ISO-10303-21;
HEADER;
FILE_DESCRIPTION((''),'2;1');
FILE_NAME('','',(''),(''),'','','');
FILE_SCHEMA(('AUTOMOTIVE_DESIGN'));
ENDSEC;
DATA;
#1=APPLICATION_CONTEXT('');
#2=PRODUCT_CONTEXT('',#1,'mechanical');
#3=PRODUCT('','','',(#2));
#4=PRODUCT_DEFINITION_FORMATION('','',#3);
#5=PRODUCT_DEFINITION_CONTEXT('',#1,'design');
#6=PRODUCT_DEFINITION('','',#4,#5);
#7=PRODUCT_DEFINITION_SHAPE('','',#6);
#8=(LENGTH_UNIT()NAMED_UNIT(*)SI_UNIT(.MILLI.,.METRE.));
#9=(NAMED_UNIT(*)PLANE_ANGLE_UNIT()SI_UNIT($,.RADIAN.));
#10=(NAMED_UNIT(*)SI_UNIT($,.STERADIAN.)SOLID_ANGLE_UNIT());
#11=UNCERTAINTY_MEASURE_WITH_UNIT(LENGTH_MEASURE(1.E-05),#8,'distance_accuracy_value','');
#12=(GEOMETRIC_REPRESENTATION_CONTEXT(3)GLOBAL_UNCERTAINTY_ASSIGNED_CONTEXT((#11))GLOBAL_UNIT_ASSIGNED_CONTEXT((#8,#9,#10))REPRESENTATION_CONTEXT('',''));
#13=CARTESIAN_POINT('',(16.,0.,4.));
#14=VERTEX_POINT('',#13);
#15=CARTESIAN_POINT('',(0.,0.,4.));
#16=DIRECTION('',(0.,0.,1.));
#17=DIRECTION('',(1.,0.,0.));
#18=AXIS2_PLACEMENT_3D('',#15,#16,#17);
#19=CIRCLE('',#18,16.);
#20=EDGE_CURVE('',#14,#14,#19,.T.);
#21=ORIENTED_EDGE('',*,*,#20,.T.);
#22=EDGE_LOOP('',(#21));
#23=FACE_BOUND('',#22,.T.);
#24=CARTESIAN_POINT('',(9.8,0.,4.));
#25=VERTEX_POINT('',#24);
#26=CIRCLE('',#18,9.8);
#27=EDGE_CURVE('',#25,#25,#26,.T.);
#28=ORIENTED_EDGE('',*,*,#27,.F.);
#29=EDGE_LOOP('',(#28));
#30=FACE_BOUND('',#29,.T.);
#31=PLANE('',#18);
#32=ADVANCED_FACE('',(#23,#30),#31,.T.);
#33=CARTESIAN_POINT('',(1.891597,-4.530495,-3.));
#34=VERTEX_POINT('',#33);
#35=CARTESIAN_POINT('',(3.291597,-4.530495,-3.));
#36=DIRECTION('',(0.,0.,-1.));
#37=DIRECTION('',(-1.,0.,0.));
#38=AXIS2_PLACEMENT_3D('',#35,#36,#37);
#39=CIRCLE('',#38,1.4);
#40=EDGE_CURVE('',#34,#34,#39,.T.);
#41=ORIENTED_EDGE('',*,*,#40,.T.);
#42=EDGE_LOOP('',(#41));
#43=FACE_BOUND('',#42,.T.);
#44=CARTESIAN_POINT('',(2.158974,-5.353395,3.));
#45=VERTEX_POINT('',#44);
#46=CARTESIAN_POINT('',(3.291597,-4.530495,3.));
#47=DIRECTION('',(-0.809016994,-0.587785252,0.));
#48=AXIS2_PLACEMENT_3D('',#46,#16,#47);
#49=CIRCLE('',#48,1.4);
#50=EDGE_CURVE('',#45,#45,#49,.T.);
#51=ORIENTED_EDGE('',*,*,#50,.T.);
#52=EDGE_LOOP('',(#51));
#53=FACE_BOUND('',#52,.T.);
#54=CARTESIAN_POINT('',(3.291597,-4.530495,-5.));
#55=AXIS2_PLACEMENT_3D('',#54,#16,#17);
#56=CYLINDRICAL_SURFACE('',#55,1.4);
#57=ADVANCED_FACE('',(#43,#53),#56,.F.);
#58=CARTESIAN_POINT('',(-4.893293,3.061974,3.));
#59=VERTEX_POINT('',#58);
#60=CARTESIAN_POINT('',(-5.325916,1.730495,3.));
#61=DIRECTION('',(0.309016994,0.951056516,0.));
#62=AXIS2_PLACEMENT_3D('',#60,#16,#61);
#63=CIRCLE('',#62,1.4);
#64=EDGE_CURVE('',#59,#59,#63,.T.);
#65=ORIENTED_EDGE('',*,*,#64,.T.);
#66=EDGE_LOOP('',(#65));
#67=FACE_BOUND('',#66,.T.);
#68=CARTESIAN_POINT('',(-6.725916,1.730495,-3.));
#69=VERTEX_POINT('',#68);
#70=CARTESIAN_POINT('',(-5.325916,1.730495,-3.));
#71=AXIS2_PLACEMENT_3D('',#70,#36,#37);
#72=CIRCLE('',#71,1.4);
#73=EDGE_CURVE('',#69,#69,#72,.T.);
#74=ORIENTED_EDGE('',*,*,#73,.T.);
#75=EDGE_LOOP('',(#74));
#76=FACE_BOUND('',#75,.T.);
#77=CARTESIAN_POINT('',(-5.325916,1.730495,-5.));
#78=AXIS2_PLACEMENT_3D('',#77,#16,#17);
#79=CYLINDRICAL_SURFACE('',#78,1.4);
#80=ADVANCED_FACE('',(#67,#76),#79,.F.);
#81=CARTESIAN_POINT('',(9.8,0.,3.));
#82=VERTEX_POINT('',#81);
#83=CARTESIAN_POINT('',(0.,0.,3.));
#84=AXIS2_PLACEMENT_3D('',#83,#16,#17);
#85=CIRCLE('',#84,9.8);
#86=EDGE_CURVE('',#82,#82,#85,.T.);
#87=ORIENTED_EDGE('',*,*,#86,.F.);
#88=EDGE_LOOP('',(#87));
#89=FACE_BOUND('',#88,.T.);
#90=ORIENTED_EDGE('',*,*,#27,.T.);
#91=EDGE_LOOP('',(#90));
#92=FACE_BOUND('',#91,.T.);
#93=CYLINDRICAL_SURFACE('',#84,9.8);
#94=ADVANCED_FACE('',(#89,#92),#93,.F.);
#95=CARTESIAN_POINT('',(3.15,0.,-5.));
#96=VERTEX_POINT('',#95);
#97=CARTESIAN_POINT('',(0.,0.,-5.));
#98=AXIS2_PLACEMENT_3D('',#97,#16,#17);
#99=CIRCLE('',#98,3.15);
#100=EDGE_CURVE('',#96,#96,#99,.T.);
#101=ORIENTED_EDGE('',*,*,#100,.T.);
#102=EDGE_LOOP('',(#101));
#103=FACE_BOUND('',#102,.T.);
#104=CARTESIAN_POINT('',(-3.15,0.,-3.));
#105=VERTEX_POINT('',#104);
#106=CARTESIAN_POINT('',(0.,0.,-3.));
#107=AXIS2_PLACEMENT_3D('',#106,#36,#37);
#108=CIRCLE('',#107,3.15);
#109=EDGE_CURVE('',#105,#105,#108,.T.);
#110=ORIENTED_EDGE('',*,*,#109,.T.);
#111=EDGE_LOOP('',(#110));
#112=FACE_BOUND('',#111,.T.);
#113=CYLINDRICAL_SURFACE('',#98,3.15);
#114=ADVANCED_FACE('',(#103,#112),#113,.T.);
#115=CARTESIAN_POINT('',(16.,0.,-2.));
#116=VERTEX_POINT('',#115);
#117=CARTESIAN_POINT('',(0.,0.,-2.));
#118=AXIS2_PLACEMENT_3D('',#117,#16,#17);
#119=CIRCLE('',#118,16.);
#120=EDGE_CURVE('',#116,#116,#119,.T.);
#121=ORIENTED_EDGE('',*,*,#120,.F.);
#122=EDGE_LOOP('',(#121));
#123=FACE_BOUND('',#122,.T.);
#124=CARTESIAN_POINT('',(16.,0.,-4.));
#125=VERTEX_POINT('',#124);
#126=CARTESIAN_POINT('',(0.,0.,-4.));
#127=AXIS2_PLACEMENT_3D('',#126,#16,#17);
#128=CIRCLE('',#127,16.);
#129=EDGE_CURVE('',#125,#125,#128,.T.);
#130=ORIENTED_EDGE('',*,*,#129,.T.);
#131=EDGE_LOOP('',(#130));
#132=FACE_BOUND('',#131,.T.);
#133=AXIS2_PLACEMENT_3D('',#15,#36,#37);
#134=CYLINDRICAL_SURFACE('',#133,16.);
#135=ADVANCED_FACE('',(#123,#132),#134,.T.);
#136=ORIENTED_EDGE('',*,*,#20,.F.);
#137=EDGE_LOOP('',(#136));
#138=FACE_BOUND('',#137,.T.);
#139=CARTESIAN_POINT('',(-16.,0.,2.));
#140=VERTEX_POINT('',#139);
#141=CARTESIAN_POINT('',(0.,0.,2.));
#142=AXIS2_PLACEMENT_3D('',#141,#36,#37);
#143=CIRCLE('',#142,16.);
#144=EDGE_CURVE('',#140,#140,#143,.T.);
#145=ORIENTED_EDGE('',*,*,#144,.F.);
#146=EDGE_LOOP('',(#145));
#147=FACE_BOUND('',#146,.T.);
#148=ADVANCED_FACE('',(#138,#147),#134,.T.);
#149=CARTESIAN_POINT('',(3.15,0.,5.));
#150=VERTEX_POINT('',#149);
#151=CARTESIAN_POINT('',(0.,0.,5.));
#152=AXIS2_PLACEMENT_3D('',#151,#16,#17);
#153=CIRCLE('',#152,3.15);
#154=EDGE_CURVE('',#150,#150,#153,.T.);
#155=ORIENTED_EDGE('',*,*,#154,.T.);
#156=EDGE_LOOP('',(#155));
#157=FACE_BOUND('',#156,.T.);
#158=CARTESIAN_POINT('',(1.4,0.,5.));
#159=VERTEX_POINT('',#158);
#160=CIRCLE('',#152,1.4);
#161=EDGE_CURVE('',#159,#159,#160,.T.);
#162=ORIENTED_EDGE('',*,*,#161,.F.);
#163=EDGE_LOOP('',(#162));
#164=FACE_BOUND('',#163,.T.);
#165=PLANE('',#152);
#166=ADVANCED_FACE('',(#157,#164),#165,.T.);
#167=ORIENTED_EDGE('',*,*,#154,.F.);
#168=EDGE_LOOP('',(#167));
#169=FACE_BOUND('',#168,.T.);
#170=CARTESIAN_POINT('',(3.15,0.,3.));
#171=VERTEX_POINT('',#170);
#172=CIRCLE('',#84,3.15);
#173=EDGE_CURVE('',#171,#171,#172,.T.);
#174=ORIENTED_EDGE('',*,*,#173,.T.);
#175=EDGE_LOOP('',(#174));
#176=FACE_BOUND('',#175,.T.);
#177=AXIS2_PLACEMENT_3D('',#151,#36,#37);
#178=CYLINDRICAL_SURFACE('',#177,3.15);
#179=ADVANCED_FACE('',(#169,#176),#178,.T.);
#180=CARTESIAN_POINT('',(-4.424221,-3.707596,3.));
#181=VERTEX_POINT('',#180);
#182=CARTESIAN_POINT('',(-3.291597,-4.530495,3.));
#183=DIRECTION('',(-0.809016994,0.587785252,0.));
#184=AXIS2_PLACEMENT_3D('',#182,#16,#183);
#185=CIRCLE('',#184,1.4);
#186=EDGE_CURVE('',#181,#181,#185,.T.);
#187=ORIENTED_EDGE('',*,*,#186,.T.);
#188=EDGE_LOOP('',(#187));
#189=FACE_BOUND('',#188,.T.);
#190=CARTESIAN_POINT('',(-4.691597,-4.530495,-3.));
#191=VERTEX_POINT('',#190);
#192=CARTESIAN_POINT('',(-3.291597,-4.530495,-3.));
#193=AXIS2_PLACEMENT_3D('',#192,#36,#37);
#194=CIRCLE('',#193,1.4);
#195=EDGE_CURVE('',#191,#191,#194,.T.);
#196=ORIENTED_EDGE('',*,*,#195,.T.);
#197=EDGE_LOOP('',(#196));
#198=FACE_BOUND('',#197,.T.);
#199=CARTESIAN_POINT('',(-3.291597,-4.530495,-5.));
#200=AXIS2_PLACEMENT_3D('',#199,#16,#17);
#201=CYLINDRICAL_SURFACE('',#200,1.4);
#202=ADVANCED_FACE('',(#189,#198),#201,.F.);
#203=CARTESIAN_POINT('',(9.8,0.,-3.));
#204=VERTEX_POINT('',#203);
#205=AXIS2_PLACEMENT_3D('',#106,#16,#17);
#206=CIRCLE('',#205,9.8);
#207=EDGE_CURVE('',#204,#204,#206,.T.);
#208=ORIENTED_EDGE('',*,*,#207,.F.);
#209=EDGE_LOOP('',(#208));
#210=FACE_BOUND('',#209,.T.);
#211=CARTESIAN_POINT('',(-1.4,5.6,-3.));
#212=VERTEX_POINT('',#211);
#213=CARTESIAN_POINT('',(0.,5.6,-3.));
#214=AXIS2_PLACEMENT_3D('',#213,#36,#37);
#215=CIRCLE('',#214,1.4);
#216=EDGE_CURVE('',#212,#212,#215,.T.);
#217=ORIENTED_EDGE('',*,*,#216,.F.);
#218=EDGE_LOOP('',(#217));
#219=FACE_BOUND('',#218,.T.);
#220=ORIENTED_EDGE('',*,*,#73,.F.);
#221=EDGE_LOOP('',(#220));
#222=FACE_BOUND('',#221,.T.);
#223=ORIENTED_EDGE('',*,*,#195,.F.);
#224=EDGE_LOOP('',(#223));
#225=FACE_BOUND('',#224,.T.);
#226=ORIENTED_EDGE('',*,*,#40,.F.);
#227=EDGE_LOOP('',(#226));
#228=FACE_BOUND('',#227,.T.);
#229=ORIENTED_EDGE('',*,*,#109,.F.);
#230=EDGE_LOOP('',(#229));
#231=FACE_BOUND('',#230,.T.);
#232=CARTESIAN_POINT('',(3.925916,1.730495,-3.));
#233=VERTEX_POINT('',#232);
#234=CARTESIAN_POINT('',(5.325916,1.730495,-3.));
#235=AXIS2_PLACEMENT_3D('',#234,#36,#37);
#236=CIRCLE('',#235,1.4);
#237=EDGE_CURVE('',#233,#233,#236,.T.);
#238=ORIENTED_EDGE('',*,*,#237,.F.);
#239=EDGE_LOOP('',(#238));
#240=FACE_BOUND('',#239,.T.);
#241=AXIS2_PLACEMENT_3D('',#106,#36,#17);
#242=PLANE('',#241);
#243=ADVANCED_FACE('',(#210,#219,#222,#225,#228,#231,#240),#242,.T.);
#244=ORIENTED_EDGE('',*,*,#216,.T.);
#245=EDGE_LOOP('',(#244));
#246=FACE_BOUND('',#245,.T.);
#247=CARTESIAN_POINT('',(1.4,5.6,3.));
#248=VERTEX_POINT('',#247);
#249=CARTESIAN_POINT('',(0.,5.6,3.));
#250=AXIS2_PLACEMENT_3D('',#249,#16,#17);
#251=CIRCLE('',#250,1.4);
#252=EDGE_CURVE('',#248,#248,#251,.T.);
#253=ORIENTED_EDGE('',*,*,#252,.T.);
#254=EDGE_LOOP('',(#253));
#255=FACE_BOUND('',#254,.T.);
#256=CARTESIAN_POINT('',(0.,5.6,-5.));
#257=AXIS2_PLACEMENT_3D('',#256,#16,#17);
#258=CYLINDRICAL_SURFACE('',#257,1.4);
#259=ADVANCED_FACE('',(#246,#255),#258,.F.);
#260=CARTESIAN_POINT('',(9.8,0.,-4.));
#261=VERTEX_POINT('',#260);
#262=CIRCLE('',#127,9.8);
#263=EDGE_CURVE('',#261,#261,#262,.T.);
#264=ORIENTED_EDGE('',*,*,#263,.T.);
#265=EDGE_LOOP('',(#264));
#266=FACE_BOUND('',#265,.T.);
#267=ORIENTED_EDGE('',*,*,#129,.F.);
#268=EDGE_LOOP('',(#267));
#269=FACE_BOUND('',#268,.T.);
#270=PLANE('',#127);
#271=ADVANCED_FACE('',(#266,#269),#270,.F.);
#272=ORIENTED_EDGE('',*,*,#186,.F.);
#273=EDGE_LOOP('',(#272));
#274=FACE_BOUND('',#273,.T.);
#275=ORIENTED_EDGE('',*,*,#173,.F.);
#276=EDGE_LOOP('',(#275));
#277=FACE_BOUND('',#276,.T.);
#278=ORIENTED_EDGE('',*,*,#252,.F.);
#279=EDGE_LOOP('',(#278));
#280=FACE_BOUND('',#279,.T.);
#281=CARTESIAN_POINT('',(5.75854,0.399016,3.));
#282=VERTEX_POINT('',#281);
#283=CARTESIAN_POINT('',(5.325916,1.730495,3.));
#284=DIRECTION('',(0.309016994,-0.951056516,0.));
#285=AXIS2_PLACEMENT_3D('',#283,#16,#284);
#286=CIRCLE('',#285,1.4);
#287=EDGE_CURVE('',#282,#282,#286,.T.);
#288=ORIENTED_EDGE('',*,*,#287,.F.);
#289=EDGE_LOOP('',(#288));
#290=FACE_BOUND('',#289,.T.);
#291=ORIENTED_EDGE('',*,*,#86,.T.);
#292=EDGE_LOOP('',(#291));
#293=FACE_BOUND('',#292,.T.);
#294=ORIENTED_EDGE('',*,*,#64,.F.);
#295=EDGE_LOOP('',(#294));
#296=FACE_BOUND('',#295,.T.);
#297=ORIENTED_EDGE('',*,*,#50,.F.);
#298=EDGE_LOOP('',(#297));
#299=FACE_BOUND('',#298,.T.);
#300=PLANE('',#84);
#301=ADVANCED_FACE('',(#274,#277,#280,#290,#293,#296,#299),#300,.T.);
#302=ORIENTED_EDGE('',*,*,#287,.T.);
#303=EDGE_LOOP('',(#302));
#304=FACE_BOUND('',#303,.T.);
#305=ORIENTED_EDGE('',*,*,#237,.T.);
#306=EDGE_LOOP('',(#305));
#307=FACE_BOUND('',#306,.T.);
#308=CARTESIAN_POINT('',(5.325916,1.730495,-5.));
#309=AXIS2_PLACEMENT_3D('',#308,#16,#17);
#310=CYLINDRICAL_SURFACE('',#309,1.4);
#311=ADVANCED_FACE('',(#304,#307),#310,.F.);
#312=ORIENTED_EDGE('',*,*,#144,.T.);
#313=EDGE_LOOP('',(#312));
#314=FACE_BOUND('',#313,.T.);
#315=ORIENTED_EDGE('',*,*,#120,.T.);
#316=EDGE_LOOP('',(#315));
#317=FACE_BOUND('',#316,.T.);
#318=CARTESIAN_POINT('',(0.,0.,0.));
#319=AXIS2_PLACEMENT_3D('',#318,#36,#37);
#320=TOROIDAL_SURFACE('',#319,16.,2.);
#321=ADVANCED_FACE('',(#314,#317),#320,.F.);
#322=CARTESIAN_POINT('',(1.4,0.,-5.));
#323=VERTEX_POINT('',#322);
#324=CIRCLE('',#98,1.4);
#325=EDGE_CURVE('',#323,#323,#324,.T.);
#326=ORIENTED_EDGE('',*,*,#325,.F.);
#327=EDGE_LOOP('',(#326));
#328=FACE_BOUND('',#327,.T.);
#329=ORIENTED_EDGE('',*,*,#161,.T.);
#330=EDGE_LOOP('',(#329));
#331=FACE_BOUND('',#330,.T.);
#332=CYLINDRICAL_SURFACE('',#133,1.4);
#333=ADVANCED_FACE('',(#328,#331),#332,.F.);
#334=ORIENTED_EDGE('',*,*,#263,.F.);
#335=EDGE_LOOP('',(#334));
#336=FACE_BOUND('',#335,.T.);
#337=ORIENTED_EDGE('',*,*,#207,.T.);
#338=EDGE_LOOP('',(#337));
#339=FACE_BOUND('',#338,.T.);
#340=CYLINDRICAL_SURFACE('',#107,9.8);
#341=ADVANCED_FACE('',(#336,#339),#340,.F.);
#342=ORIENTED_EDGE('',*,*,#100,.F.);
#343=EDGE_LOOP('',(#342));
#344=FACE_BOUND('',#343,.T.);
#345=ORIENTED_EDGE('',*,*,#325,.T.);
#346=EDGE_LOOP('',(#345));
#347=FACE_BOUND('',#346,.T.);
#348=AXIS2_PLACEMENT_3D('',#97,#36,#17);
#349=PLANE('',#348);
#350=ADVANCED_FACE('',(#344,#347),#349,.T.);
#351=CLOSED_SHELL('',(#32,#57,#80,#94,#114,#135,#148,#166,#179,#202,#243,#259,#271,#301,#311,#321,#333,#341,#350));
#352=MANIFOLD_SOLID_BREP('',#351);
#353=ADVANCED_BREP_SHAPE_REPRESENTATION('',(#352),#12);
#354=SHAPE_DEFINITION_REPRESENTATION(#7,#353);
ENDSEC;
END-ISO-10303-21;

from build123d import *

# Parameters (mm, degrees)
SKETCH2_R           = 16
SKETCH2_R_2         = 1.4
BOSS_EXTRUDE1_DEPTH = 4
SKETCH3_R           = 9.8
CUT_EXTRUDE1_DEPTH  = 1
SKETCH6_R           = 3.15
SKETCH6_R_2         = 1.4
BOSS_EXTRUDE2_DEPTH = 2
SKETCH4_R           = 1.4
CUT_EXTRUDE2_DEPTH  = 25
CIRPATTERN1_COUNT   = 5
SKETCH5_R           = 2


with BuildPart() as part:
    # Sketch2 → Boss-Extrude1 (new, symmetric)
    with BuildSketch(Plane.XY):
        Circle(SKETCH2_R)
        Circle(SKETCH2_R_2, mode=Mode.SUBTRACT)
    extrude(amount=BOSS_EXTRUDE1_DEPTH, both=True)

    # Sketch3 → Cut-Extrude1 (cut)
    with BuildSketch(Plane.XY.offset(4)):
        Circle(SKETCH3_R)
    cut_extrude1 = extrude(amount=-CUT_EXTRUDE1_DEPTH, mode=Mode.SUBTRACT)

    # Sketch6 → Boss-Extrude2 (add)
    with BuildSketch(Plane.XY.offset(3)):
        Circle(SKETCH6_R)
        Circle(SKETCH6_R_2, mode=Mode.SUBTRACT)
    boss_extrude2 = extrude(amount=BOSS_EXTRUDE2_DEPTH)

    # Mirror1: Cut-Extrude1, Boss-Extrude2 across plane
    add(cut_extrude1.mirror(Plane.XY), mode=Mode.SUBTRACT)
    add(boss_extrude2.mirror(Plane.XY))

    # Sketch4 → Cut-Extrude2 (cut, through all)
    with BuildSketch(Plane.XY.offset(3)):
        with Locations((0, 5.6)):
            Circle(SKETCH4_R)
    cut_extrude2 = extrude(amount=-CUT_EXTRUDE2_DEPTH, mode=Mode.SUBTRACT)

    # CirPattern1: Cut-Extrude2 ×5 about axis
    cirpattern1_axis = Axis((0, 0, 0), (0, 0, 1))
    for i in range(1, CIRPATTERN1_COUNT):
        add(cut_extrude2.rotate(cirpattern1_axis, i * 360 / CIRPATTERN1_COUNT), mode=Mode.SUBTRACT)

    # Sketch5 → Cut-Revolve1 (revolve, cut)
    with BuildSketch(Plane(origin=(0, 0, 0), x_dir=(1, 0, 0), z_dir=(0, 1, 0)), mode=Mode.PRIVATE) as cut_revolve1_sk:
        with Locations((16, 0)):
            Circle(SKETCH5_R)
    revolve(cut_revolve1_sk.sketch.rotate(Axis((0, 0, -19.267509915), (0, 0, 1)), 180), axis=Axis((0, 0, -19.267509915), (0, 0, 1)), mode=Mode.SUBTRACT)


solid = part.part
